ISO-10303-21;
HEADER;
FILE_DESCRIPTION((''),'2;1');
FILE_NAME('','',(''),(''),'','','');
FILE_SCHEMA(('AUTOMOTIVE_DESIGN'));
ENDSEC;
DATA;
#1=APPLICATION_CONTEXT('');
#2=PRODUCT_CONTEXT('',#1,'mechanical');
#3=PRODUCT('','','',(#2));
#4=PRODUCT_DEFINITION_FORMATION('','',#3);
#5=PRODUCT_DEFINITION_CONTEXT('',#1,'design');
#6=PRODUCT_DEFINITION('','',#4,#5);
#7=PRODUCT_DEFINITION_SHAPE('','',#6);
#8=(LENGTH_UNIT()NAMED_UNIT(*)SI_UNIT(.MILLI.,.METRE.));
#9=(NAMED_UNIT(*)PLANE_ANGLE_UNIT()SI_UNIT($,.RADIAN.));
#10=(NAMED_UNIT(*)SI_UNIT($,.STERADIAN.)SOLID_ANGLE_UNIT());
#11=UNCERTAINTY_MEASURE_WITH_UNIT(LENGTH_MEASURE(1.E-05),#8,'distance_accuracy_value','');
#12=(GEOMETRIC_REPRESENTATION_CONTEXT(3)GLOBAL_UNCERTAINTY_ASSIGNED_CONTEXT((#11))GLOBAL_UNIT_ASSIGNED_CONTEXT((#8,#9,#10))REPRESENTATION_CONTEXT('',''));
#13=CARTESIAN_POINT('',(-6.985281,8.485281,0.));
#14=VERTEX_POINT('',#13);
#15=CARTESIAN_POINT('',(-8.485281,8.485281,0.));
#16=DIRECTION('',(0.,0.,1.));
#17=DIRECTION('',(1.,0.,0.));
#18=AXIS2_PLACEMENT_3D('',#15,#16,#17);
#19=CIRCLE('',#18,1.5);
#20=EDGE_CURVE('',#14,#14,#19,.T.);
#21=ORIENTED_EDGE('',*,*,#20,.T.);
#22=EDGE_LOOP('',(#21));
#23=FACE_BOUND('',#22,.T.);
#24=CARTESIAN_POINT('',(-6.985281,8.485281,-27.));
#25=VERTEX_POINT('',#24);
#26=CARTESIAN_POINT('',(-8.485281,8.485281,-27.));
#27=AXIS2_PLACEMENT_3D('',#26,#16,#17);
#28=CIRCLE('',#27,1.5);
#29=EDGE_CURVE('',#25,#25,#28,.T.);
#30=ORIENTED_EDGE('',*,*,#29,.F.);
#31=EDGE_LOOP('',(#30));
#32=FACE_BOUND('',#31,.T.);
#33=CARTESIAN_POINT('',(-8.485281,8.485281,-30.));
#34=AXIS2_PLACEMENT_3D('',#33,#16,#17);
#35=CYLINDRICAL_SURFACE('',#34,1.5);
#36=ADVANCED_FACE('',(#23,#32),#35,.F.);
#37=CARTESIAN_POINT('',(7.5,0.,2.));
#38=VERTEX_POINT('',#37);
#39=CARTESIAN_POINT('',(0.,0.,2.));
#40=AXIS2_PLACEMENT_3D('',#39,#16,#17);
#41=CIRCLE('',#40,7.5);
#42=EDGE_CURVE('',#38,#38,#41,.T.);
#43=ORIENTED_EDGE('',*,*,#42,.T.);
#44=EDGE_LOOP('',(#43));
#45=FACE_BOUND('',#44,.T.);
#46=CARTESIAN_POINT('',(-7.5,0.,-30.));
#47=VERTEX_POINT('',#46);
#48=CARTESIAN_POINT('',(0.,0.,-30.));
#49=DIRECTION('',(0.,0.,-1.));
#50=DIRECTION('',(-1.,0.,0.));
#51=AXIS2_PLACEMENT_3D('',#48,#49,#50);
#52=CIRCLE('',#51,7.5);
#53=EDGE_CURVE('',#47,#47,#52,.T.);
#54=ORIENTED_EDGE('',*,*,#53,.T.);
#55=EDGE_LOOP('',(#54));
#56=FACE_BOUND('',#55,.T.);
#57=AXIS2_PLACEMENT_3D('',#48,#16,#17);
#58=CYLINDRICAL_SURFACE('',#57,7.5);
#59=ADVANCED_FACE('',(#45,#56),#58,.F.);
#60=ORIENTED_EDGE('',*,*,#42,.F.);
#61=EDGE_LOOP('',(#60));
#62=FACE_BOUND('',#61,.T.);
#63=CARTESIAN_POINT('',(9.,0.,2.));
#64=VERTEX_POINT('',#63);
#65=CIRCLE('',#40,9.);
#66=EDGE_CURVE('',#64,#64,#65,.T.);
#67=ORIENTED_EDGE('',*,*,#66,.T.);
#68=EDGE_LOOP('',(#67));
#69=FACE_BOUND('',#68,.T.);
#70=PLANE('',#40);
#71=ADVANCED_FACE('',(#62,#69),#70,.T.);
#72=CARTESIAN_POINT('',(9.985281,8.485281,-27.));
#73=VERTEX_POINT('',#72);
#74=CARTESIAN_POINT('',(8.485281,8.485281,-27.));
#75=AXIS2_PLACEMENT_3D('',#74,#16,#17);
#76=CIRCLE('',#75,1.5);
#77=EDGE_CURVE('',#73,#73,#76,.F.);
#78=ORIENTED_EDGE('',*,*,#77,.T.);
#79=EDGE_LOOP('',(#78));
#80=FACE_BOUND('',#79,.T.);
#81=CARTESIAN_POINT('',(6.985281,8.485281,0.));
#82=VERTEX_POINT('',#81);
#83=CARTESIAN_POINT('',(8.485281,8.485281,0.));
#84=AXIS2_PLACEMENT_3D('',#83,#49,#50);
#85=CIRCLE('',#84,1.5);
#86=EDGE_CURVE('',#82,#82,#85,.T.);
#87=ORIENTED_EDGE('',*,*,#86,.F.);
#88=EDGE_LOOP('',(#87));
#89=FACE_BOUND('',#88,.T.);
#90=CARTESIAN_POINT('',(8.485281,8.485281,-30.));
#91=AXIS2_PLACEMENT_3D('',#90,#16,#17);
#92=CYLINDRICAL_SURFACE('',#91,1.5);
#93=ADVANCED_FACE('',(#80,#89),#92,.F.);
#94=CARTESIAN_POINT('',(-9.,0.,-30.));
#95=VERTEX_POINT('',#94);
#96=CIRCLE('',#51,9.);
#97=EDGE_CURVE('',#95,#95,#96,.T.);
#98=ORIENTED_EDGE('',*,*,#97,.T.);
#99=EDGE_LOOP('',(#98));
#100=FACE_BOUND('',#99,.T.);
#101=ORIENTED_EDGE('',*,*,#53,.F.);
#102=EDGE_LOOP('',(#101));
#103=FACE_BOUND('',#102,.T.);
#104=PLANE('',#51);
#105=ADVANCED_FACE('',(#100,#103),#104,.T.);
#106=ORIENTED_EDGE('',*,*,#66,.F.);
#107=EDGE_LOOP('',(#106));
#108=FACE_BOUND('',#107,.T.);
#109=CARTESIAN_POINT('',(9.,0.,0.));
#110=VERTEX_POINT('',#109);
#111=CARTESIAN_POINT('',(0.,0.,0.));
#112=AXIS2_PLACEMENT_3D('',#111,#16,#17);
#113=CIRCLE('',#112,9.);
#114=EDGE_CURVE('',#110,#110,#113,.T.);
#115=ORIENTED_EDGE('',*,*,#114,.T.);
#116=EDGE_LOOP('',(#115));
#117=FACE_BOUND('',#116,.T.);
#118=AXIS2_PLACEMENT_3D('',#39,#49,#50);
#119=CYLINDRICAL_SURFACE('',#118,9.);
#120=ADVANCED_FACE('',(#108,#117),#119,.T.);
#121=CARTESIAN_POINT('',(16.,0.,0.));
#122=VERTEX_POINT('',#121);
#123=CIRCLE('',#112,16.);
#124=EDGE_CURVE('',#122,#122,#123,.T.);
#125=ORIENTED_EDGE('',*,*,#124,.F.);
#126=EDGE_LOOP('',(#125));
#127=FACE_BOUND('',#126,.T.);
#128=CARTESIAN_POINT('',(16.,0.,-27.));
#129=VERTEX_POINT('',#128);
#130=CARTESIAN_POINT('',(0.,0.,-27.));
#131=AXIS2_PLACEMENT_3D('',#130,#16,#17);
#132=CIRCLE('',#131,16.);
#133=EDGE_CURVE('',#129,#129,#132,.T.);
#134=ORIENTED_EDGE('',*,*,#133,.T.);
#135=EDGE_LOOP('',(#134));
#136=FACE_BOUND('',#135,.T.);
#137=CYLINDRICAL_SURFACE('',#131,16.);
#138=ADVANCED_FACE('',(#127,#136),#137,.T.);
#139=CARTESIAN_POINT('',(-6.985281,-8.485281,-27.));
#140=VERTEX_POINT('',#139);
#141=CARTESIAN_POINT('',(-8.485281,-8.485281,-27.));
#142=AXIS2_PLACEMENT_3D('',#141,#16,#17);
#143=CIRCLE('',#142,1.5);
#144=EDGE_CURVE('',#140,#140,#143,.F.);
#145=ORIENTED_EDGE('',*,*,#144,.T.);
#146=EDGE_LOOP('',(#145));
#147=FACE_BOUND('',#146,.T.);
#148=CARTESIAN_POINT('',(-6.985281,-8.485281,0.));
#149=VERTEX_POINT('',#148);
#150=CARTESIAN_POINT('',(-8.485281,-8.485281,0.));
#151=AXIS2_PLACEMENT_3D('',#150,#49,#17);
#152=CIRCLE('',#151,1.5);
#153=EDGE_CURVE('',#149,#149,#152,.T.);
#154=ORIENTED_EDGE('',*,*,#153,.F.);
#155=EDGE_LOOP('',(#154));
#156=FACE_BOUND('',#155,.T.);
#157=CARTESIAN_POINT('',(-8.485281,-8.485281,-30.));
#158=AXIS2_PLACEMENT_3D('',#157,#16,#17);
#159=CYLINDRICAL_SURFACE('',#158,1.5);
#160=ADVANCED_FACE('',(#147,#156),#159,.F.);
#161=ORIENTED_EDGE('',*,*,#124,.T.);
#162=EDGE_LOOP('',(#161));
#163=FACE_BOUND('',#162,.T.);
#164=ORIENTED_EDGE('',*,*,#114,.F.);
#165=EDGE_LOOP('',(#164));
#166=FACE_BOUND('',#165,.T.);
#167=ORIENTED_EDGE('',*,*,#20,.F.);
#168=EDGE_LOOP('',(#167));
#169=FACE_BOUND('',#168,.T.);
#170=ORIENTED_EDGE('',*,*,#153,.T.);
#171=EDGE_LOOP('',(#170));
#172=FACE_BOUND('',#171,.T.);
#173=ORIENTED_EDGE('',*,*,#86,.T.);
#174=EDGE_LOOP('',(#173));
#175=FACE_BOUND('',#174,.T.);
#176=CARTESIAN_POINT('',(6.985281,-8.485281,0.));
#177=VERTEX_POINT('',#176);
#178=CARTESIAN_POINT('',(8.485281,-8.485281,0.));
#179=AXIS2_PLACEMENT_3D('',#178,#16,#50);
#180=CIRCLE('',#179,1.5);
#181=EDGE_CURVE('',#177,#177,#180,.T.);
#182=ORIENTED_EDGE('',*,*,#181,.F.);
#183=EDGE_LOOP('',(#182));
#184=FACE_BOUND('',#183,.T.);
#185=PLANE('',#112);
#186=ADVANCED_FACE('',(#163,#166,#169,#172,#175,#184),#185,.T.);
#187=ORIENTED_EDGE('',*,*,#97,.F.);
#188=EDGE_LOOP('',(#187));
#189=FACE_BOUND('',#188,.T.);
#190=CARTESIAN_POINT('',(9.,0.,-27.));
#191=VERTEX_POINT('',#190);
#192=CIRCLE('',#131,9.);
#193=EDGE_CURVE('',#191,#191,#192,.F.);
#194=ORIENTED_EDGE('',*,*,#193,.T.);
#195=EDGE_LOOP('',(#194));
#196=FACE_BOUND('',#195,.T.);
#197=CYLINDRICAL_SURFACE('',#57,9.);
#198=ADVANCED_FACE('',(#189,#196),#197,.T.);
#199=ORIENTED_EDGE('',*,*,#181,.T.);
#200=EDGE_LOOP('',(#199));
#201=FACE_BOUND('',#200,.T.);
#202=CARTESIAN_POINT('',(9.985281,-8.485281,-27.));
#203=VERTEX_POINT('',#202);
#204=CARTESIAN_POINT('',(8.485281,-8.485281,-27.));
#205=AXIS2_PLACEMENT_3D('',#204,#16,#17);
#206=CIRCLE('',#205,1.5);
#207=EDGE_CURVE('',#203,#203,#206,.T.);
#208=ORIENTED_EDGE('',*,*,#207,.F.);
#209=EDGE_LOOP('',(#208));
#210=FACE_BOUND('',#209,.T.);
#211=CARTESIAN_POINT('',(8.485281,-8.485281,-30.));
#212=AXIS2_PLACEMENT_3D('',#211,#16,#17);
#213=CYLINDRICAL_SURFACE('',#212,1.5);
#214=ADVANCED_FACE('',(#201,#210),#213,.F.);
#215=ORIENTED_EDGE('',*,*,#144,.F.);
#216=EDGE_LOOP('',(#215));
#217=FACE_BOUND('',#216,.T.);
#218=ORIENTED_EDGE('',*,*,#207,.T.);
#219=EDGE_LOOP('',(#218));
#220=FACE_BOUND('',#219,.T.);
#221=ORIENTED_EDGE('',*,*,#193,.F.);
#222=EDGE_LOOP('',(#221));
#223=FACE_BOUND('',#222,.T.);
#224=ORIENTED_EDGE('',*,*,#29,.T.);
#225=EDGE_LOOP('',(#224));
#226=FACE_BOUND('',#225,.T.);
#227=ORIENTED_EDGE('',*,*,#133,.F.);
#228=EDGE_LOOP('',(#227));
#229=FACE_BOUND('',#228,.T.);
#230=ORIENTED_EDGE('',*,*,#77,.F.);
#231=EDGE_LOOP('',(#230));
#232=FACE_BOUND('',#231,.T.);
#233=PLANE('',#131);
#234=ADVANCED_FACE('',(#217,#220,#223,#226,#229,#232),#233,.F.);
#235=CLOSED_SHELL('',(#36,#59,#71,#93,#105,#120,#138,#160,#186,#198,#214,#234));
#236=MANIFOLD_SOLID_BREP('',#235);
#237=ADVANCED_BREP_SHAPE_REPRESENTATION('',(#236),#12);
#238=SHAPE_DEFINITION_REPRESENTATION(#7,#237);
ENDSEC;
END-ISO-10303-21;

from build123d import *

# Parameters (mm, degrees)
ESQUISSE3_R             = 16
ESQUISSE3_R_2           = 9
BOSS_EXTRU_1_DEPTH      = 27
ESQUISSE3_3_R           = 9
ESQUISSE3_3_R_2         = 7.5
BOSS_EXTRU_2_DEPTH      = 2
ESQUISSE7_R             = 9
ESQUISSE7_R_2           = 7.5
BOSS_EXTRU_3_DEPTH      = 30
ESQUISSE8_R             = 1.5
ENL_V_MAT_EXTRU_1_DEPTH = 30


with BuildPart() as part:
    # Esquisse3 → Boss.-Extru.1 (new body)
    with BuildSketch(Plane.XY):
        Circle(ESQUISSE3_R)
        Circle(ESQUISSE3_R_2, mode=Mode.SUBTRACT)
    extrude(amount=-BOSS_EXTRU_1_DEPTH)



with BuildPart() as body_2:
    # Esquisse3<3> → Boss.-Extru.2 (new body)
    with BuildSketch(Plane.XY):
        Circle(ESQUISSE3_3_R)
        Circle(ESQUISSE3_3_R_2, mode=Mode.SUBTRACT)
    extrude(amount=BOSS_EXTRU_2_DEPTH)


with BuildPart() as part_1:
    add(part.part)

    add(body_2.part)  # Boss.-Extru.3 merges body 2
    # Esquisse7 → Boss.-Extru.3 (add)
    with BuildSketch(Plane(origin=(0, 0, 0), x_dir=(-1, 0, 0), z_dir=(0, 0, -1))):
        Circle(ESQUISSE7_R)
        Circle(ESQUISSE7_R_2, mode=Mode.SUBTRACT)
    extrude(amount=BOSS_EXTRU_3_DEPTH)

    # Esquisse8 → Enlèv. mat.-Extru.1 (cut)
    with BuildSketch(Plane.XY):
        with Locations((-8.485281374, 8.485281374)):
            Circle(ESQUISSE8_R)
        with Locations((8.485281374, 8.485281374)):
            Circle(ESQUISSE8_R)
    enl_v_mat_extru_1 = extrude(amount=-ENL_V_MAT_EXTRU_1_DEPTH, mode=Mode.SUBTRACT)

    # Symétrie1: Enlèv. mat.-Extru.1 across plane
    add(enl_v_mat_extru_1.mirror(Plane.ZX), mode=Mode.SUBTRACT)


solid = part_1.part
